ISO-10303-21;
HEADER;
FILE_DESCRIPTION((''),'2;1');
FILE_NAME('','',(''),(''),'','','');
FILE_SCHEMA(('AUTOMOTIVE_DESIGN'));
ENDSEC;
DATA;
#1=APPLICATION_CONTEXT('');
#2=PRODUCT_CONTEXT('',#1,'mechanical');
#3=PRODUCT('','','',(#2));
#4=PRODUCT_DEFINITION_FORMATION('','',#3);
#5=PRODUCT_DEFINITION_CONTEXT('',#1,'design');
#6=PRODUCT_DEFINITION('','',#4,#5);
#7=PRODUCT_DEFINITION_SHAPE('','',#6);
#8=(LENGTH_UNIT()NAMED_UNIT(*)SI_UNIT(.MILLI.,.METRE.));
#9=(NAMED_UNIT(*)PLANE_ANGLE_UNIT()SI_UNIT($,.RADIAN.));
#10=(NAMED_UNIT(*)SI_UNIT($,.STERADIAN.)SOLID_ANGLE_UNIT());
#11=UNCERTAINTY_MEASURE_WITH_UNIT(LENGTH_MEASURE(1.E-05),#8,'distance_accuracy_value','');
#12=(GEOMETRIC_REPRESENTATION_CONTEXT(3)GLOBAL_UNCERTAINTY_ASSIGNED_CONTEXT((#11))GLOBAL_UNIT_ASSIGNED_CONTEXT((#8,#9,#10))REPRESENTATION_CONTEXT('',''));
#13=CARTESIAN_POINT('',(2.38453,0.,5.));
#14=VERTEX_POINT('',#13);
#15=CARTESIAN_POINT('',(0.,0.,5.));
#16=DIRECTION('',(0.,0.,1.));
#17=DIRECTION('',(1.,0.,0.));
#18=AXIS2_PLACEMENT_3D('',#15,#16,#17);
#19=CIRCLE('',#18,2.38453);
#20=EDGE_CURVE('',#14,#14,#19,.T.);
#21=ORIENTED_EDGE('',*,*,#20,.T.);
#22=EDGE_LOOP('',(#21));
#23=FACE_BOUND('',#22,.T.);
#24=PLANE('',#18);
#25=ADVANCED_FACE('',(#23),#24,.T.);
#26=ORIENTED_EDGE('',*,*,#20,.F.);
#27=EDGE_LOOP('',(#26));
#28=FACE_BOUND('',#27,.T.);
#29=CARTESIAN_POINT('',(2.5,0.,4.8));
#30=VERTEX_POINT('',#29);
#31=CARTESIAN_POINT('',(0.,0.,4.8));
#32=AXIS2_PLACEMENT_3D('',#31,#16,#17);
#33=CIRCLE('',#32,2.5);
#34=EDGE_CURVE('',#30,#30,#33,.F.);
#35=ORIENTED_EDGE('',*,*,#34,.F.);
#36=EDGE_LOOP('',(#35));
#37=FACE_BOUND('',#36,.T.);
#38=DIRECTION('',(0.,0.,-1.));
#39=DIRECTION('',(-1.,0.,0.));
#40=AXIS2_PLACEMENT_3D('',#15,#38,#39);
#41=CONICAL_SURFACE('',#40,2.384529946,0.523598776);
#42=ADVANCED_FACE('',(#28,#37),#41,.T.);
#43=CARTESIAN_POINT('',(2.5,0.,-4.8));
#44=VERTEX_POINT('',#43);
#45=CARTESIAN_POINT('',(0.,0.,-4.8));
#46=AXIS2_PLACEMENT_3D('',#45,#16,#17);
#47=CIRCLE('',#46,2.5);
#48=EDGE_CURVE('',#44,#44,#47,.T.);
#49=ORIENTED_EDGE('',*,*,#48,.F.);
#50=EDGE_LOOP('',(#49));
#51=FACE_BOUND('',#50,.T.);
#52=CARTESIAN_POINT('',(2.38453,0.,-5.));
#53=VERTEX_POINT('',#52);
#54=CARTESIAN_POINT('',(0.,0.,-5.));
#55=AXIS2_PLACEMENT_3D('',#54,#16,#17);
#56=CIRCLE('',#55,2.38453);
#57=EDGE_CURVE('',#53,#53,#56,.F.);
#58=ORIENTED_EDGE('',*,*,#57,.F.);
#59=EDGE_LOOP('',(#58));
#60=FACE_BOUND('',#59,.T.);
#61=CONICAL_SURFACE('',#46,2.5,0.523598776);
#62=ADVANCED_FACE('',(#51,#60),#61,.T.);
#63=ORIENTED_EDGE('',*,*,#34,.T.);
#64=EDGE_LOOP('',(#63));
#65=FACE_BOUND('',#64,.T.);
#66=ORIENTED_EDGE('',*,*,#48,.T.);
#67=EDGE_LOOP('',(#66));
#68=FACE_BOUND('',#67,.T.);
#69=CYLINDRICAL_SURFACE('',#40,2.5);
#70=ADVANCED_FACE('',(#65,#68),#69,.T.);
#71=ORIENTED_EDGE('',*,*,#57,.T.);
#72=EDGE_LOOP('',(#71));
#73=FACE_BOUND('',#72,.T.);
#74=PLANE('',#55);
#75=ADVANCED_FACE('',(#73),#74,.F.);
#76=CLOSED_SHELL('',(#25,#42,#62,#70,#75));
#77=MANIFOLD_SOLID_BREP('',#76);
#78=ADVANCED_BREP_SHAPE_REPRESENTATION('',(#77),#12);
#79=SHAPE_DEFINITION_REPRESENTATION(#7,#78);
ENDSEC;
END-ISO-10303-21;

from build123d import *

# Parameters (mm, degrees)
ESQUISSE1_R        = 2.5
BOSS_EXTRU_1_DEPTH = 5
CHANFREIN1_SIZE    = 0.2
CHANFREIN1_SIZE2   = 0.115470054


with BuildPart() as part:
    # Esquisse1 → Boss.-Extru.1 (new body, symmetric)
    with BuildSketch(Plane.XY):
        Circle(ESQUISSE1_R)
    extrude(amount=BOSS_EXTRU_1_DEPTH, both=True)

    # Chanfrein1
    chanfrein1_edges = [part.edges().sort_by_distance(p)[0] for p in [
        (-2.5, 0, -5),
        (-2.5, 0, 5),
    ]]
    chanfrein1_side = [part.faces().sort_by_distance(p)[0] for p in [
        (-2.5, 0, 0),
    ]]
    chamfer(chanfrein1_edges, length=CHANFREIN1_SIZE, length2=CHANFREIN1_SIZE2, reference=chanfrein1_side[0])


solid = part.part
